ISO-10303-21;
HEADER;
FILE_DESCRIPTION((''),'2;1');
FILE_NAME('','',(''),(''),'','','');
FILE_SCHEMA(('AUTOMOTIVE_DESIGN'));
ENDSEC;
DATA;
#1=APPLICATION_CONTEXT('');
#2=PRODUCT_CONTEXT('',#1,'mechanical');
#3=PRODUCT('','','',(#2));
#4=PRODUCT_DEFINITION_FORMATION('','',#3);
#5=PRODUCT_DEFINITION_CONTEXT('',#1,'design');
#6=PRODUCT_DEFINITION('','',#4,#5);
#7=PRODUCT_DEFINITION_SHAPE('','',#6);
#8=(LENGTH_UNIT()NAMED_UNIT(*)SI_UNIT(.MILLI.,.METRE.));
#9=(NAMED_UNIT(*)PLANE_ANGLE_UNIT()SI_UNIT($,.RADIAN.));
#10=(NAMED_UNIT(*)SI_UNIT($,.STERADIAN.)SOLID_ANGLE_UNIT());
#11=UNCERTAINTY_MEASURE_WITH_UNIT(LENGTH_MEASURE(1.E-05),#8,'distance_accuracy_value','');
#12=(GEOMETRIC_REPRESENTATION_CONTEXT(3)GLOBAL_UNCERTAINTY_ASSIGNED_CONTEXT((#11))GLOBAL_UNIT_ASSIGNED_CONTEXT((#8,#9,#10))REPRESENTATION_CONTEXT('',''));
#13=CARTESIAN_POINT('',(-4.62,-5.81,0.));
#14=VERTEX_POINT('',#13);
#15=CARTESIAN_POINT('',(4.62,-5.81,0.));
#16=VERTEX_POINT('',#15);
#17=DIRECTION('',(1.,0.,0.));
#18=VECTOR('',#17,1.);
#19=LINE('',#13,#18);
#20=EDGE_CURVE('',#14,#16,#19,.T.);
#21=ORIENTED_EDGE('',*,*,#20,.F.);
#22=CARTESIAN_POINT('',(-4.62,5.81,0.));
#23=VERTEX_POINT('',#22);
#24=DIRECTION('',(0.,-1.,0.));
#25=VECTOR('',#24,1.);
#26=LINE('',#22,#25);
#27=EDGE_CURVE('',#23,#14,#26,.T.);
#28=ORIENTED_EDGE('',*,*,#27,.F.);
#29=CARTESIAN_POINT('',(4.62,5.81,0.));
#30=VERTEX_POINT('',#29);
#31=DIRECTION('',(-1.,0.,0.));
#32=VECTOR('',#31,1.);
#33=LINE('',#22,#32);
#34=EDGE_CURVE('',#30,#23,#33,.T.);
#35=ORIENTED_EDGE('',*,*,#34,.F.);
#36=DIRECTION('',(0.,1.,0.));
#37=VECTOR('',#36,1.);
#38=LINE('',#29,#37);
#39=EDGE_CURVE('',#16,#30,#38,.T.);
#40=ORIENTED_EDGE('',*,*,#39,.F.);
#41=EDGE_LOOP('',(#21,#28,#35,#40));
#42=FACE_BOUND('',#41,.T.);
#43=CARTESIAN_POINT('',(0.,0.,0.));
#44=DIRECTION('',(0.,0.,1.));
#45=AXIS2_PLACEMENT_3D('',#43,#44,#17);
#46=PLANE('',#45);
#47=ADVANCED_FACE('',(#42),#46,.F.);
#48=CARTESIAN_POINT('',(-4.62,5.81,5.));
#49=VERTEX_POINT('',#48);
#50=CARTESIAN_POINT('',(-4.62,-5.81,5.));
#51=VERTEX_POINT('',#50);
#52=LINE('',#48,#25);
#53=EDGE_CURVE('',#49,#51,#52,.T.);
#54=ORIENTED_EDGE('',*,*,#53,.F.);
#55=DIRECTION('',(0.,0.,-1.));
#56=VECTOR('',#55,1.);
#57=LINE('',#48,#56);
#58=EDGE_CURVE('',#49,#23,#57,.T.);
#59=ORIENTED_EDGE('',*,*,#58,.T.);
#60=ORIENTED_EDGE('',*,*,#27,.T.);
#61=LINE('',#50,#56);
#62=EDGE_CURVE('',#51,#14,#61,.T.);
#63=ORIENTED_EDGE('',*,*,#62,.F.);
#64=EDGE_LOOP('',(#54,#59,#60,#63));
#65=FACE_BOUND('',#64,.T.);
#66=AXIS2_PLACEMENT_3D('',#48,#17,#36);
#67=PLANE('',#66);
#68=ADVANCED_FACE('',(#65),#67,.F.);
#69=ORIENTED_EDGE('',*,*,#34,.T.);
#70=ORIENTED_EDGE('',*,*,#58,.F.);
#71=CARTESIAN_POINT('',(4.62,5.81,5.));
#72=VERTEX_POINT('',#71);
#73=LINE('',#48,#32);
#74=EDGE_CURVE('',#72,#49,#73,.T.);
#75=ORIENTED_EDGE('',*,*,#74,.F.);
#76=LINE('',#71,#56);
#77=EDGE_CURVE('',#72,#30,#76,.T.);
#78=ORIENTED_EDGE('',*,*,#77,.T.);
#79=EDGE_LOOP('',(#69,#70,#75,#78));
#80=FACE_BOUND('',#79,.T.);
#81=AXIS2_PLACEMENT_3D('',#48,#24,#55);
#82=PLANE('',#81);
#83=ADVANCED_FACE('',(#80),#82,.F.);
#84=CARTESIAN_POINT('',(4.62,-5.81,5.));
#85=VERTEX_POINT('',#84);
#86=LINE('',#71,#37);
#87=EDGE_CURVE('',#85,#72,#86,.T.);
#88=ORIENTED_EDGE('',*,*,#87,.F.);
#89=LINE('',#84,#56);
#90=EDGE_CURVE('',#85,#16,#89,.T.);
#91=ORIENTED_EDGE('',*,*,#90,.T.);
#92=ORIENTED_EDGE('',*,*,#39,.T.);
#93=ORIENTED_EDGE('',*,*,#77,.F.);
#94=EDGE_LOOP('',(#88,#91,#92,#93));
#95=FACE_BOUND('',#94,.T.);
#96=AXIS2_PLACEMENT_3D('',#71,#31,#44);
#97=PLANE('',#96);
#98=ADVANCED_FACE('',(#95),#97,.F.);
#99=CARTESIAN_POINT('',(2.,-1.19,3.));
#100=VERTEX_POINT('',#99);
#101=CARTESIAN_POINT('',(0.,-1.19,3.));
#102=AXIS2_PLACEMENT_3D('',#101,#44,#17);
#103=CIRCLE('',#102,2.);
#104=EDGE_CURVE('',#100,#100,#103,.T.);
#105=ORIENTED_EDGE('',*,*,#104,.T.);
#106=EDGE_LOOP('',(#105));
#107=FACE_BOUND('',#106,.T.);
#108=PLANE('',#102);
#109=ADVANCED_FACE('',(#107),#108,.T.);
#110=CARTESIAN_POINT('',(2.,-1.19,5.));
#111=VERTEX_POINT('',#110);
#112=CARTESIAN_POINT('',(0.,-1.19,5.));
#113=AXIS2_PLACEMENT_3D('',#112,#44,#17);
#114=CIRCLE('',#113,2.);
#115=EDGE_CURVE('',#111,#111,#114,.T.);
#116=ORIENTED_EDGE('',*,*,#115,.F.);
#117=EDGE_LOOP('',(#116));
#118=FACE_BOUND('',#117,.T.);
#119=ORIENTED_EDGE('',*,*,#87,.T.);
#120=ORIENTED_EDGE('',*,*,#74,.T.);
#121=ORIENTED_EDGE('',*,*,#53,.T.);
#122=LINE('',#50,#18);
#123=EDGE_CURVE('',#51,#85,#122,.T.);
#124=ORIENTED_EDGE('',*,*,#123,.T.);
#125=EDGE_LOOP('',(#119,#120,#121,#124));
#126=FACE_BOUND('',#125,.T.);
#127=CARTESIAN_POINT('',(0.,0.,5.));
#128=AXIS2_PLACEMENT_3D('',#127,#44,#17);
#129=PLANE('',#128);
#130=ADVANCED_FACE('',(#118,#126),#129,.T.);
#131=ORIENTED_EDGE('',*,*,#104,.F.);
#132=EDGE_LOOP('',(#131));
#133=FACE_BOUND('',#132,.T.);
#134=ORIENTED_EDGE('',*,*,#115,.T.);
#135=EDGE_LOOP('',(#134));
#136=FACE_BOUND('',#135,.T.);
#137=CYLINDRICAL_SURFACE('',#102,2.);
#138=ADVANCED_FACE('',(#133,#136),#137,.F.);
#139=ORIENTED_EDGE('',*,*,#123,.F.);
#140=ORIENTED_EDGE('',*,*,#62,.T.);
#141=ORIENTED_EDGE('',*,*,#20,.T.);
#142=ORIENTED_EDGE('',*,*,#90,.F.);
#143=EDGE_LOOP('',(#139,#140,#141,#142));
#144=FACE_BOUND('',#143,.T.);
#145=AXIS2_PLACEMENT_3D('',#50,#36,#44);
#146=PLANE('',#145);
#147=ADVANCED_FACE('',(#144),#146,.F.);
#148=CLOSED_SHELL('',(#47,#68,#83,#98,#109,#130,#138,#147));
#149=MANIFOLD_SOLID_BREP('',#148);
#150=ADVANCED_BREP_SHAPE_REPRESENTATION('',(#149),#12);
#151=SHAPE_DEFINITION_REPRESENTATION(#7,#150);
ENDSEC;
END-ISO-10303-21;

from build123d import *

# Parameters (mm, degrees)
SKETCH1_W           = 9.24
SKETCH1_H           = 11.62
BOSS_EXTRUDE1_DEPTH = 5
SKETCH2_R           = 2
CUT_EXTRUDE1_DEPTH  = 2


with BuildPart() as part:
    # Sketch1 → Boss-Extrude1 (new body)
    with BuildSketch(Plane.XY):
        Rectangle(SKETCH1_W, SKETCH1_H)
    extrude(amount=BOSS_EXTRUDE1_DEPTH)

    # Sketch2 → Cut-Extrude1 (cut)
    with BuildSketch(Plane.XY.offset(5)):
        with Locations((0, -1.19)):
            Circle(SKETCH2_R)
    extrude(amount=-CUT_EXTRUDE1_DEPTH, mode=Mode.SUBTRACT)


solid = part.part
